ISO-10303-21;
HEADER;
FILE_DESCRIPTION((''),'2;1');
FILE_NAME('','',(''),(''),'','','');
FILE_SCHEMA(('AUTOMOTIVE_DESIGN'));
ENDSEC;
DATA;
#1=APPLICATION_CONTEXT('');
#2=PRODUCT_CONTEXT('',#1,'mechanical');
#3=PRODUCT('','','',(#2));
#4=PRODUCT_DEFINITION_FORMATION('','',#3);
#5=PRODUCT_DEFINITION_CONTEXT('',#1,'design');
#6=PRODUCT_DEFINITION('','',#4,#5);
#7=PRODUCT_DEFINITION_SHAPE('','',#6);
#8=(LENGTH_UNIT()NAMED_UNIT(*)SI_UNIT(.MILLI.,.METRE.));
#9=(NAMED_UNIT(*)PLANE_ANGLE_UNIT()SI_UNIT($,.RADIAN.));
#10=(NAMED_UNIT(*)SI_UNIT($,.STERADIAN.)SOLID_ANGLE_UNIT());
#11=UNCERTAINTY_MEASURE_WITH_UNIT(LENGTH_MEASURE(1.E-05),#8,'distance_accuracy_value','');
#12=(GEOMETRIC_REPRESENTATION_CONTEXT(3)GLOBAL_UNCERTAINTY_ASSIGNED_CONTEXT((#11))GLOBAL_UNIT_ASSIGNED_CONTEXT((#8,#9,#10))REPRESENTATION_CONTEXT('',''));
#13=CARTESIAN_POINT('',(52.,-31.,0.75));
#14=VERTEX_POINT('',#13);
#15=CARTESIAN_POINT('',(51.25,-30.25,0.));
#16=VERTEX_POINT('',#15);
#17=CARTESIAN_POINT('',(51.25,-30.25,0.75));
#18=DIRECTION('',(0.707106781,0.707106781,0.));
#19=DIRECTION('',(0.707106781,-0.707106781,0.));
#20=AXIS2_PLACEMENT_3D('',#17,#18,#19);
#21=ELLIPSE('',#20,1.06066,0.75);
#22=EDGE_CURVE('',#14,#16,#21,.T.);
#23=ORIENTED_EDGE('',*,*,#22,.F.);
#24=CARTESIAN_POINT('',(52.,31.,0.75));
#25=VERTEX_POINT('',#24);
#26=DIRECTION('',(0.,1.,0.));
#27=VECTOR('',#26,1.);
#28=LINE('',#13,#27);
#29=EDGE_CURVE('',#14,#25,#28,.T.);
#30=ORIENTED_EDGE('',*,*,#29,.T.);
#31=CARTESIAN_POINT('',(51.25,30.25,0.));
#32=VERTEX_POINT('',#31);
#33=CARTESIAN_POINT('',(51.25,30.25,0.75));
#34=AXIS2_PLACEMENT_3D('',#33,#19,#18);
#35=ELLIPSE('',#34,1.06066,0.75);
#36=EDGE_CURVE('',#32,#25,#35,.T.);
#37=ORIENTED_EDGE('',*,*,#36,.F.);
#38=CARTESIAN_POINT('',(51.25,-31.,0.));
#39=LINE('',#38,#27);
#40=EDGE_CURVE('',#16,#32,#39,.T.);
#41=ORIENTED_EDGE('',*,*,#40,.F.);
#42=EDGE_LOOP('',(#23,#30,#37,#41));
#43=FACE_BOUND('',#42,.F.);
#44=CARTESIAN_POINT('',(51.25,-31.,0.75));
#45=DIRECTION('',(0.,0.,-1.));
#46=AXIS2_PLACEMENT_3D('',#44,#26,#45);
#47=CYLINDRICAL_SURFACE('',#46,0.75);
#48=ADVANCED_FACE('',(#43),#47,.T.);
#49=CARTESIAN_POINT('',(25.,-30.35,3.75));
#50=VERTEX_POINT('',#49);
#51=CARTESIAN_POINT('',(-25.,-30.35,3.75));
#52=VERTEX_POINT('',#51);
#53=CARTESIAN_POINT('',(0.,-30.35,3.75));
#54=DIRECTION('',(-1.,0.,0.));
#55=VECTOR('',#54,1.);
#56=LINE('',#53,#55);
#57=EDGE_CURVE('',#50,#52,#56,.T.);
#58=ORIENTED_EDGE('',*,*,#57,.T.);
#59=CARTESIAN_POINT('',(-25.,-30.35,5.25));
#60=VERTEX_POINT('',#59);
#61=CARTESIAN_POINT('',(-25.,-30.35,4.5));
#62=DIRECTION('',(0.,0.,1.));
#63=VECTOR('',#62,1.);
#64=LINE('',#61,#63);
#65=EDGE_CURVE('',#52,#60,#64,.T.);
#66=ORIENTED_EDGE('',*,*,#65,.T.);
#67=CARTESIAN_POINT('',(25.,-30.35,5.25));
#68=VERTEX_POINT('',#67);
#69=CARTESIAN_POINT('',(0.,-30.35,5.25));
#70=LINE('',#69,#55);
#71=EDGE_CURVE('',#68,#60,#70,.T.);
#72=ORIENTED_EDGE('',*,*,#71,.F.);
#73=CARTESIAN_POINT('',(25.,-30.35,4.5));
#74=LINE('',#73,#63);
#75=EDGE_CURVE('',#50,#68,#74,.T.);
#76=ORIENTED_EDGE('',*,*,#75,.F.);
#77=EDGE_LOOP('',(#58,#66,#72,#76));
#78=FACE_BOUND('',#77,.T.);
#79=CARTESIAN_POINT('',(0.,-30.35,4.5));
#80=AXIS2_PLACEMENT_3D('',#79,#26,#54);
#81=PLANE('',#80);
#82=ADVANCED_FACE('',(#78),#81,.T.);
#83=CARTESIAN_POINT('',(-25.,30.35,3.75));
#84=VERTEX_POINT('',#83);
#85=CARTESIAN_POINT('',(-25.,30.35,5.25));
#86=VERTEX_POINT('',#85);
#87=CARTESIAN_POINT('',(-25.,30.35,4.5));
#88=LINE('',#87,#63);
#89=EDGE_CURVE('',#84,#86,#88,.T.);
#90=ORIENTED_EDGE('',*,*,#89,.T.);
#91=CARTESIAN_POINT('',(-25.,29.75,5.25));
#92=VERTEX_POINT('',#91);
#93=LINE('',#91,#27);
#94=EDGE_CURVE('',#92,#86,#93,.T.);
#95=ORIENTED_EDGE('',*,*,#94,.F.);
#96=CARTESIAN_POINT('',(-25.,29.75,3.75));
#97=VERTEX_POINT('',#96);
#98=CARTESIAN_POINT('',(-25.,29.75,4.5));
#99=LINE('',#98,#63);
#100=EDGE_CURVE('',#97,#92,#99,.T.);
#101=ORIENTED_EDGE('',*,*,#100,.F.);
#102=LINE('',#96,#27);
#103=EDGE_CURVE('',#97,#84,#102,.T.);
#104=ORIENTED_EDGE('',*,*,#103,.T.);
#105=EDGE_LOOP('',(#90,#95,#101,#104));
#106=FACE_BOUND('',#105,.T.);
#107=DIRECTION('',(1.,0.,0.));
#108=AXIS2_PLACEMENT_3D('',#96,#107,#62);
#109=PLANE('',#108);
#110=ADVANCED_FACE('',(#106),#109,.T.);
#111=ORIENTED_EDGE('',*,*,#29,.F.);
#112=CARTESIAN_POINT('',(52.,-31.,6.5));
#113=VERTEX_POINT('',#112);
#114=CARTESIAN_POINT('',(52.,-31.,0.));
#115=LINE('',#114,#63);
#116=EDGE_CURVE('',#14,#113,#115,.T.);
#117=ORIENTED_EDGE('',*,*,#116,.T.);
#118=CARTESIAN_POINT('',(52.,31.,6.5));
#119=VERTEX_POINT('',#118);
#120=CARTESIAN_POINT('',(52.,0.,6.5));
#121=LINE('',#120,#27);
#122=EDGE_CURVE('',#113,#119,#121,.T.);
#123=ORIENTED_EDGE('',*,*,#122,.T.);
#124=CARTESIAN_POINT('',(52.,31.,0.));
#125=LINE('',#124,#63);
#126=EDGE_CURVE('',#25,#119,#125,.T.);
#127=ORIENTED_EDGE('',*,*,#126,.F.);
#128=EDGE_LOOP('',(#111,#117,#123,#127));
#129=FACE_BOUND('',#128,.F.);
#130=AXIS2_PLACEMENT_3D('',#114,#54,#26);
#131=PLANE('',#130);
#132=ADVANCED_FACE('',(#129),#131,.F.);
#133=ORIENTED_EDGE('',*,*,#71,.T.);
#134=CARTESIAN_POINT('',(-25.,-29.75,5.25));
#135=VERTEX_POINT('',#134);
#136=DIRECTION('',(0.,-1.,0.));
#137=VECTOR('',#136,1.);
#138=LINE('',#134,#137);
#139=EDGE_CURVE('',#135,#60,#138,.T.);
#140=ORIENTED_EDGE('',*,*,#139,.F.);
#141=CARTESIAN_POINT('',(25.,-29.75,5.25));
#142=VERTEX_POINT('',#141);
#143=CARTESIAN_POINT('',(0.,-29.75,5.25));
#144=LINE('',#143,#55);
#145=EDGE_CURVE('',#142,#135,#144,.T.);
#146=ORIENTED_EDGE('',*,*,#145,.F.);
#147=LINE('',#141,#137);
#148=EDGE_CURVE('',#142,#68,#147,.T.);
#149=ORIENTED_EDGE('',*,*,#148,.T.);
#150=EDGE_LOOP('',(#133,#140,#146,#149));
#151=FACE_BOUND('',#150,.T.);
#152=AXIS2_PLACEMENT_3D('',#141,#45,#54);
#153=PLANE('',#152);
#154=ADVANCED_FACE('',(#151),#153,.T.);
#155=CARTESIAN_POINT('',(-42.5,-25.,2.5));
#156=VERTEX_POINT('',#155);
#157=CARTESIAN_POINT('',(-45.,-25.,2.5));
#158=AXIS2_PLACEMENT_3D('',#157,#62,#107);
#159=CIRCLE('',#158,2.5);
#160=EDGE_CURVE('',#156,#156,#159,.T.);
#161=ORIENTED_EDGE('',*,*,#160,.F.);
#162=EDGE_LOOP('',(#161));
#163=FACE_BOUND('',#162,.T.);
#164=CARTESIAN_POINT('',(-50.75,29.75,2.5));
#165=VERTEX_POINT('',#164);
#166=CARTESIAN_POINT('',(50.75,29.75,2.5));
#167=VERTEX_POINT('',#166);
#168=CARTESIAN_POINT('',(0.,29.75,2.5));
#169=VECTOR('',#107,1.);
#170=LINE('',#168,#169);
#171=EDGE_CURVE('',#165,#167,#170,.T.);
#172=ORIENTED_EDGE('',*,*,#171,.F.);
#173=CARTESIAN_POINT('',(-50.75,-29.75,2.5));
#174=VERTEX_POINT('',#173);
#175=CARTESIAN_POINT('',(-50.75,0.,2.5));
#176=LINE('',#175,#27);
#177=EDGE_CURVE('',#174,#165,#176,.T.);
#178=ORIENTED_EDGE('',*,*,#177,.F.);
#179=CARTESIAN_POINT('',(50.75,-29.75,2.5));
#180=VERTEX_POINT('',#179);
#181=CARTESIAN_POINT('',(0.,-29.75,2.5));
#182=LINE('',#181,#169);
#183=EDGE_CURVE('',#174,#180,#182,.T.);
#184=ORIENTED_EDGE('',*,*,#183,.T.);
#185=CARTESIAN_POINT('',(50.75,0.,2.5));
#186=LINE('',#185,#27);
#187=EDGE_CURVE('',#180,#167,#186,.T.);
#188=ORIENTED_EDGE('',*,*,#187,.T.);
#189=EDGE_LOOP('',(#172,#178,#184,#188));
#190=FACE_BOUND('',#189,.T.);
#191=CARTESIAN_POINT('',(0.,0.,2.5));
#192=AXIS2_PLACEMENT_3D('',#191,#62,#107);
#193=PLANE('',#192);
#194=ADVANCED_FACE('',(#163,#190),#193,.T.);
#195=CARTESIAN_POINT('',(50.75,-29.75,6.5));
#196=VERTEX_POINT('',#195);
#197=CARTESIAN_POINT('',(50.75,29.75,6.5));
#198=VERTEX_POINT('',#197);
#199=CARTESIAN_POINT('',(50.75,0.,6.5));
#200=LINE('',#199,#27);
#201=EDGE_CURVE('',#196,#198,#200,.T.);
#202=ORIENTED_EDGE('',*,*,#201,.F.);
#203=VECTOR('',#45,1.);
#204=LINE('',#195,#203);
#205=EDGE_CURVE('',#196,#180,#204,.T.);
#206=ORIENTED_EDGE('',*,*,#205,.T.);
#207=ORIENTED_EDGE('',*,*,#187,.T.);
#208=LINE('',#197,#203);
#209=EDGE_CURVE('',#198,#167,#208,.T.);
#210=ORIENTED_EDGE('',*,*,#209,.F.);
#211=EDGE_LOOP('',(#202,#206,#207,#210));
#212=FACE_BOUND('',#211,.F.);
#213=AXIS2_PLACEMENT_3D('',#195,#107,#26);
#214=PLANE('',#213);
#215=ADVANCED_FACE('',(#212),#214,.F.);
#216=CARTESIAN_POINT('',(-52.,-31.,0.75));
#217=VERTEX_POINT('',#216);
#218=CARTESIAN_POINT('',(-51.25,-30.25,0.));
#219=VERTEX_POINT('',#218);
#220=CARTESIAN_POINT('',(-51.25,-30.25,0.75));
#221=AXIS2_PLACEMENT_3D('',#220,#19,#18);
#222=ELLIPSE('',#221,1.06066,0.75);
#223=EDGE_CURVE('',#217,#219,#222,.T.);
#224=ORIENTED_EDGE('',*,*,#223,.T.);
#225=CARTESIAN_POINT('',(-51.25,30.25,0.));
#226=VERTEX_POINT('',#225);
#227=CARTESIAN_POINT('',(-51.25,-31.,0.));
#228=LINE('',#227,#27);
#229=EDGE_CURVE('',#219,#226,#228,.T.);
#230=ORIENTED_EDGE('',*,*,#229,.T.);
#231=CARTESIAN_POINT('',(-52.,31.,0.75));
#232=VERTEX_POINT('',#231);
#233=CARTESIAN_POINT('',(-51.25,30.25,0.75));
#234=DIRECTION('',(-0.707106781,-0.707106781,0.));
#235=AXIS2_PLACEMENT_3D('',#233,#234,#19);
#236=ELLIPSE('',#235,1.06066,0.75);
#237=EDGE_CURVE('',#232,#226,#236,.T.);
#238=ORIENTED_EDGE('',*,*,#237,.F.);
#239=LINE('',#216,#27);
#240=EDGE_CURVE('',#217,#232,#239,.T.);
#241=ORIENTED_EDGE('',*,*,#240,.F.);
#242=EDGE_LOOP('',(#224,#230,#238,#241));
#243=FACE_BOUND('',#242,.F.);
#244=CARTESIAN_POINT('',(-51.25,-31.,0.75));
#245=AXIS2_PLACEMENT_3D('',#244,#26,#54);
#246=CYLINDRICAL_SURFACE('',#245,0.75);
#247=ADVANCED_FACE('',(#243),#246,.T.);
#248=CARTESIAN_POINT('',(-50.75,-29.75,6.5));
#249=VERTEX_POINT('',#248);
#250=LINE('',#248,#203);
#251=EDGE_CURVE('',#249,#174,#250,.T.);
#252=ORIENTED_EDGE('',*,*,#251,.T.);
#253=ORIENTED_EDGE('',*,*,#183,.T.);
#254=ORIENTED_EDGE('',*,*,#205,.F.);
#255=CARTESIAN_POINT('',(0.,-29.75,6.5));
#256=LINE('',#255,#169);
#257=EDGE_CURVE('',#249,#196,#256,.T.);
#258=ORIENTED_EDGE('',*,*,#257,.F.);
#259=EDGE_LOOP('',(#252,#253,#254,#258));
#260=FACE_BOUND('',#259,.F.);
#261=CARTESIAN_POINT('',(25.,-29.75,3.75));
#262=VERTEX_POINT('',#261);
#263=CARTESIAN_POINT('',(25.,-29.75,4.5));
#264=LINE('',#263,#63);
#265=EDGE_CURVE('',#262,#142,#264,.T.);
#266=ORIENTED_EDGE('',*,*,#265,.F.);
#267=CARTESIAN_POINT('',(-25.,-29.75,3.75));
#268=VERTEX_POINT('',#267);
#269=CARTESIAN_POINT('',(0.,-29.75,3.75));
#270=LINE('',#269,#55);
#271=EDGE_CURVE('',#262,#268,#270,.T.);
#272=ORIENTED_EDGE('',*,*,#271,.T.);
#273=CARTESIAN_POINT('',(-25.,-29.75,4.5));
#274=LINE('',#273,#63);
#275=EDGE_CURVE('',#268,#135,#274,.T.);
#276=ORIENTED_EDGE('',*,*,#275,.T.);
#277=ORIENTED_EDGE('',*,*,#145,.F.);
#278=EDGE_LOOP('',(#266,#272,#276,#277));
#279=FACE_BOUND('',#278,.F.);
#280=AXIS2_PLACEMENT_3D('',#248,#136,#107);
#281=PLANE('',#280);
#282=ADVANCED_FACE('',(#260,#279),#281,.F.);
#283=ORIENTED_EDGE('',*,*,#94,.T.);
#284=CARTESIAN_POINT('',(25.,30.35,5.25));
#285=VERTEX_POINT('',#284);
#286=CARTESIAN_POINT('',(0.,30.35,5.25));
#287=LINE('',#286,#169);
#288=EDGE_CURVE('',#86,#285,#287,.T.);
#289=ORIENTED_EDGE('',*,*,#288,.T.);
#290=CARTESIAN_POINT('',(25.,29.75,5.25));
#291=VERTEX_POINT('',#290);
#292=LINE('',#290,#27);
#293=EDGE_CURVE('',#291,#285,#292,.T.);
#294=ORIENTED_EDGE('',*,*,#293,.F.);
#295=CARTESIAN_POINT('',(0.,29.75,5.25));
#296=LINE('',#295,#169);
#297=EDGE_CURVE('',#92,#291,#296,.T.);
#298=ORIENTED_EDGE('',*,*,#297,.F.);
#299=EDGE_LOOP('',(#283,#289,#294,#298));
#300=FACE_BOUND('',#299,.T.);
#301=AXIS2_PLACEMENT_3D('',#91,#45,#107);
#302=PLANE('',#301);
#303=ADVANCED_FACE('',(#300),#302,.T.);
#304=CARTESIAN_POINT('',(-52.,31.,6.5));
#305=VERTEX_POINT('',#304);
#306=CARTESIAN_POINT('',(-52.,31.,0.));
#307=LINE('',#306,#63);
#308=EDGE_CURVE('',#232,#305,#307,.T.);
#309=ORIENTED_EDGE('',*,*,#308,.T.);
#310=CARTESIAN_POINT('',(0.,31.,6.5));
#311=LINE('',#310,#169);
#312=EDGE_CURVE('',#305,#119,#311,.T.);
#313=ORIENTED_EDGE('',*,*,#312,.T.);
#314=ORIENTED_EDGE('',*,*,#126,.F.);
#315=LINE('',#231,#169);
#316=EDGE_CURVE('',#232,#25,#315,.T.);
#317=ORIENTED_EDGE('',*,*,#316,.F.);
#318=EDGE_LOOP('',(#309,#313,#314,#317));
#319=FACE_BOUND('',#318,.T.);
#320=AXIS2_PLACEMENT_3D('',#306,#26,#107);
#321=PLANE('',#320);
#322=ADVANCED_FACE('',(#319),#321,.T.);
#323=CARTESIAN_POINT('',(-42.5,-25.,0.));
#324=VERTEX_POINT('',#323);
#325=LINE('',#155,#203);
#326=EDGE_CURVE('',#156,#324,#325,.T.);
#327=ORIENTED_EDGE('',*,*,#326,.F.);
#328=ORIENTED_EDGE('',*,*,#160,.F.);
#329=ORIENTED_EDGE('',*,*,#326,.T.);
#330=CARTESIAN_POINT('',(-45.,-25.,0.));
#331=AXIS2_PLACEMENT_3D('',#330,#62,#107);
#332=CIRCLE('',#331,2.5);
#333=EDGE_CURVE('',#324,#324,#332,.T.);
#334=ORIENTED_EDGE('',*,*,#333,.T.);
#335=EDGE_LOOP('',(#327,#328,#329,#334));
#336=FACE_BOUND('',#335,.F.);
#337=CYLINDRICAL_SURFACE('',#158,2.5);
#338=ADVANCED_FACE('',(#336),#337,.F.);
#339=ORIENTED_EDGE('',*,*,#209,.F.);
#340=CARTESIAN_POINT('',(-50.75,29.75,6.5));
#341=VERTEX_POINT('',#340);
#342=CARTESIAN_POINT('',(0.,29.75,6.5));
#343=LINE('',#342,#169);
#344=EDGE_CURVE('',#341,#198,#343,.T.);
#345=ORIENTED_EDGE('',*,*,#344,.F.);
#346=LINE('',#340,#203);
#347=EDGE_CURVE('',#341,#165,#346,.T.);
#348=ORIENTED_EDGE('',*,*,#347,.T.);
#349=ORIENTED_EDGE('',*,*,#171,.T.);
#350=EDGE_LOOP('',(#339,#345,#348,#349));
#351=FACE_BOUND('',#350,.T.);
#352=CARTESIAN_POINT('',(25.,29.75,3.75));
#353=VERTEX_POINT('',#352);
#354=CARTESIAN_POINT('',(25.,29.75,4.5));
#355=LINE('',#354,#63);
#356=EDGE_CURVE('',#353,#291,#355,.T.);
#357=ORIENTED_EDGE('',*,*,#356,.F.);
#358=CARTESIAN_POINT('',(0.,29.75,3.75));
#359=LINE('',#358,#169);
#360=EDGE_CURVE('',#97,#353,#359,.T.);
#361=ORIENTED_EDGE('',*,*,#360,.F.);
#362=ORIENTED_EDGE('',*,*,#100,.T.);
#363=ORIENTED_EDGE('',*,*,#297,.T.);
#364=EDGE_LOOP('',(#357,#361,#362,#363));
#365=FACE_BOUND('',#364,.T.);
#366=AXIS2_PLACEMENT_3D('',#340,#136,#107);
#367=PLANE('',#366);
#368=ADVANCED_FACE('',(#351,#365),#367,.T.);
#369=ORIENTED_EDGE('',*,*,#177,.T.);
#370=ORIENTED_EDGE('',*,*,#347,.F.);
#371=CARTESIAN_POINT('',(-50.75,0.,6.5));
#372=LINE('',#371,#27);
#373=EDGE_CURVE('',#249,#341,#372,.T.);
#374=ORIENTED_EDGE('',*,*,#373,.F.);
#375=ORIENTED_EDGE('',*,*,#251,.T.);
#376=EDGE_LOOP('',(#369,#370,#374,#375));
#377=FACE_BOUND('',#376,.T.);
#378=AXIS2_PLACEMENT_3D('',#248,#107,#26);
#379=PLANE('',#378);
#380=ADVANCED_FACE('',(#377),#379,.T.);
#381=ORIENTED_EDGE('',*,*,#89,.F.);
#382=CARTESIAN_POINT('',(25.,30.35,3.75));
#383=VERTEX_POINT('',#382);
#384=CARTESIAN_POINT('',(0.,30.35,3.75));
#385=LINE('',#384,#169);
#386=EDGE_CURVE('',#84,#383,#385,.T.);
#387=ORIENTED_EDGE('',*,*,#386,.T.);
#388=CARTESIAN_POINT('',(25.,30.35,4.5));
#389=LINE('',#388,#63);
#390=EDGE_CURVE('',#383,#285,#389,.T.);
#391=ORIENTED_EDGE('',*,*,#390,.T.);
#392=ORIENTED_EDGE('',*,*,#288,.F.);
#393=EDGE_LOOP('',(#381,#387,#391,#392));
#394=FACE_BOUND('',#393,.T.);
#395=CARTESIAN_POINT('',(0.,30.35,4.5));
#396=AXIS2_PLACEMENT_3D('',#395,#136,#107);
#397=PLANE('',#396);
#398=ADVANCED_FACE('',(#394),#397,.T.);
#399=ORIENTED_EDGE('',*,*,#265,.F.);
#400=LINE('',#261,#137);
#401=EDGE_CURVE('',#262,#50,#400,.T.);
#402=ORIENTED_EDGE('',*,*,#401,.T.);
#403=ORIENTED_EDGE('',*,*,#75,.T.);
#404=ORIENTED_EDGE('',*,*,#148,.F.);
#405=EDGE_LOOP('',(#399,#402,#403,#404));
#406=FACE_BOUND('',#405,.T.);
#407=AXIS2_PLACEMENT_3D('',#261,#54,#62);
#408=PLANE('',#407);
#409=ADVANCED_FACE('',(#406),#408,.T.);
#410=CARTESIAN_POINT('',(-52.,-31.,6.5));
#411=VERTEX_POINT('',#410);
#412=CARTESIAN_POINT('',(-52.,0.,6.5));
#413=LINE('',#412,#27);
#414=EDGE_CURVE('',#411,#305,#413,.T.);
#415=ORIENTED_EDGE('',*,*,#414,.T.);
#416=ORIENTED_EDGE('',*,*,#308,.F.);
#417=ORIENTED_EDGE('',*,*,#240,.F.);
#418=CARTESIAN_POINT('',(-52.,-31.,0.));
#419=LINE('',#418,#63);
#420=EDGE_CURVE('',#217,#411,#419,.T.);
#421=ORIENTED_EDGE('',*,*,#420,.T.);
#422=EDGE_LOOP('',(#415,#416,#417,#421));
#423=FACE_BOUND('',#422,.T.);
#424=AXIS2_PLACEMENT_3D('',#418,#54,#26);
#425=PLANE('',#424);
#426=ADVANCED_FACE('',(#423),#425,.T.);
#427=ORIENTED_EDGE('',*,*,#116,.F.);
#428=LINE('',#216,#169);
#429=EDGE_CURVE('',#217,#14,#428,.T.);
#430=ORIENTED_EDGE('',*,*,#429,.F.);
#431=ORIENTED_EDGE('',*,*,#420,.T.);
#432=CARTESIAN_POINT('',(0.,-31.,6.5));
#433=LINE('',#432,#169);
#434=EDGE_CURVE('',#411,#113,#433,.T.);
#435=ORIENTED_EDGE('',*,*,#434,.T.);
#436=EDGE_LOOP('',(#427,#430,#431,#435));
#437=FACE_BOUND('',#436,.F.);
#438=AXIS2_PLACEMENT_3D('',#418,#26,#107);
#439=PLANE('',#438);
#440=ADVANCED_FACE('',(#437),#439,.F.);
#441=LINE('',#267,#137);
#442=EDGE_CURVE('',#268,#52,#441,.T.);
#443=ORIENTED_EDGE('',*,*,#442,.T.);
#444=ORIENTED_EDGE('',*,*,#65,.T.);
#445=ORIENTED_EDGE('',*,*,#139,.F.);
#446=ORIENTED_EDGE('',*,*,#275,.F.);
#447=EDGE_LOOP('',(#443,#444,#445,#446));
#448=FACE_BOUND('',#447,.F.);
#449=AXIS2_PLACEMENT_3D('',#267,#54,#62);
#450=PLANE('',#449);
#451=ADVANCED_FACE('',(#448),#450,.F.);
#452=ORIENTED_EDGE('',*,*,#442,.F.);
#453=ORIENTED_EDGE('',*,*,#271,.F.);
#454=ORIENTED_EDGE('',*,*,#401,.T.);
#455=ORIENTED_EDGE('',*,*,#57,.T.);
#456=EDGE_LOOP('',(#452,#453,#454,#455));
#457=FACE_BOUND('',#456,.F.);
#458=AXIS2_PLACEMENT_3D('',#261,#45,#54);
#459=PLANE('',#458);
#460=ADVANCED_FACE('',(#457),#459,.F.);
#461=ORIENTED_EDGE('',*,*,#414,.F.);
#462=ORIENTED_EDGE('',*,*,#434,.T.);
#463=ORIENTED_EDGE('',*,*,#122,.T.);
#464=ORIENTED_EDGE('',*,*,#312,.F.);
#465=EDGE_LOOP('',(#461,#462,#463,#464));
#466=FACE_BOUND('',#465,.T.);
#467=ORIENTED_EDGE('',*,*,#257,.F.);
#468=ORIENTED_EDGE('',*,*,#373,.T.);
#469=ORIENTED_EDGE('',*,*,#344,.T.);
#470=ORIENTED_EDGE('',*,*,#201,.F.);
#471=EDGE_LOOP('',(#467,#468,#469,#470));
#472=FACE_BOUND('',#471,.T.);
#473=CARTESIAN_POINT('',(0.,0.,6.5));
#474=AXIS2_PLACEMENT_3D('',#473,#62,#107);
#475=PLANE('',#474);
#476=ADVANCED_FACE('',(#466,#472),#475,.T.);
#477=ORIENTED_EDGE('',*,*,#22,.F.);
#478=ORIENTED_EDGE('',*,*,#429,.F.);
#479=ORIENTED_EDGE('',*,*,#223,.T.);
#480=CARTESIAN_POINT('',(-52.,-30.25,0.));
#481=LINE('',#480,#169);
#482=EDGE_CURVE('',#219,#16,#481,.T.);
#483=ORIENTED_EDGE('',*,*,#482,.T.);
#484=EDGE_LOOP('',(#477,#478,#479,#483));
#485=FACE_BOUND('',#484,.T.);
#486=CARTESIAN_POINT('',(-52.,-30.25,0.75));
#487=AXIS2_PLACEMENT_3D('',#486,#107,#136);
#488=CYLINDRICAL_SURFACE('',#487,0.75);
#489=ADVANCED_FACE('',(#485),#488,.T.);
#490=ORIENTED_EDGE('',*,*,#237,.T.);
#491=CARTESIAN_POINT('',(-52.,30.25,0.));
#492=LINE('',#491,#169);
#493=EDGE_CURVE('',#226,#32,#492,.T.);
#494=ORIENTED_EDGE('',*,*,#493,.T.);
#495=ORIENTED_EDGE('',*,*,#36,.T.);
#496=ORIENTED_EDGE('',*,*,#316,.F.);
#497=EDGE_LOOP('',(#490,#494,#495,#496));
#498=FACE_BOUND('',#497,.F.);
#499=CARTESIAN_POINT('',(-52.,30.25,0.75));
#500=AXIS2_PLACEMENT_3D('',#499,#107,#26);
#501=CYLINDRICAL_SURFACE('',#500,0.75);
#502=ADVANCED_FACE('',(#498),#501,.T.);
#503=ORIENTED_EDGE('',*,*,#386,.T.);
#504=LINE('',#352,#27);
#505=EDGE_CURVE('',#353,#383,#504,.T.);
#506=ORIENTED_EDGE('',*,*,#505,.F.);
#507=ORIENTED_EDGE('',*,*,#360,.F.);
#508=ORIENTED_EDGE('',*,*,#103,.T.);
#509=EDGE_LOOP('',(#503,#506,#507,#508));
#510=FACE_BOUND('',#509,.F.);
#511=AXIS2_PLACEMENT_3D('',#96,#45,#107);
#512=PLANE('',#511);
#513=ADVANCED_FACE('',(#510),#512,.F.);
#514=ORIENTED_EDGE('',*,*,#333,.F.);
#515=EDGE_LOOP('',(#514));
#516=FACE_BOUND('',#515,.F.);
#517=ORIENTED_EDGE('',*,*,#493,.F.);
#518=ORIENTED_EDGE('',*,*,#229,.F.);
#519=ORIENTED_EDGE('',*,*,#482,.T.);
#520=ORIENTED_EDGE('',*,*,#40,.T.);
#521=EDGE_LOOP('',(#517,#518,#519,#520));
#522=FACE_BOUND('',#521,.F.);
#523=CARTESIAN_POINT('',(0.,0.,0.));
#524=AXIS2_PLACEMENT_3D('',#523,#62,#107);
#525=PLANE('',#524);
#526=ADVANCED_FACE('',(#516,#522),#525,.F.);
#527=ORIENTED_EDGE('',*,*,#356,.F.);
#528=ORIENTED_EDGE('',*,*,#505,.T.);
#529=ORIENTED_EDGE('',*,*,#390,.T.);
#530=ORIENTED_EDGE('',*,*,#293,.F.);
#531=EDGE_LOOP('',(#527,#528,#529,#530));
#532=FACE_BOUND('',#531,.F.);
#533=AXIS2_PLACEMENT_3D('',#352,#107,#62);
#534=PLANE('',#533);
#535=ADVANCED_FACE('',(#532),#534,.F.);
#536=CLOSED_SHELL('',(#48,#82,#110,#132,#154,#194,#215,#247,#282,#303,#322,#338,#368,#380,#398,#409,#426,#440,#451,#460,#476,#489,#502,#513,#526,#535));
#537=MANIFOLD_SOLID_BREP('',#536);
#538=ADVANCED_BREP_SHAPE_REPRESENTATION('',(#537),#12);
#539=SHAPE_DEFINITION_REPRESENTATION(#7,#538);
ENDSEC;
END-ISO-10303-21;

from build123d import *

# Parameters (mm, degrees)
SKETCH_W        = 104
SKETCH_H        = 62
PAD_DEPTH       = 6.5
SKETCH001_W     = 101.5
SKETCH001_H     = 59.5
POCKET_DEPTH    = 4
SKETCH002_W     = 50
SKETCH002_H     = 1.5
POCKET001_DEPTH = 0.6
SKETCH003_W     = 50
SKETCH003_H     = 1.5
POCKET002_DEPTH = 0.6
FILLET_R        = 0.75
SKETCH004_R     = 2.5
POCKET003_DEPTH = 3


with BuildPart() as part:
    # Sketch → Pad (new body)
    with BuildSketch(Plane.XY):
        Rectangle(SKETCH_W, SKETCH_H)
    extrude(amount=PAD_DEPTH)

    # Sketch001 (on Face6 of Pad) → Pocket (cut)
    with BuildSketch(Plane.XY.offset(6.5)):
        Rectangle(SKETCH001_W, SKETCH001_H)
    extrude(amount=-POCKET_DEPTH, mode=Mode.SUBTRACT)

    # Sketch002 (on Face7 of Pocket) → Pocket001 (cut)
    with BuildSketch(Plane.XZ.offset(-29.75)):
        with Locations((0, 4.5)):
            Rectangle(SKETCH002_W, SKETCH002_H)
    extrude(amount=-POCKET001_DEPTH, mode=Mode.SUBTRACT)

    # Sketch003 (on Face9 of Pocket001) → Pocket002 (cut)
    with BuildSketch(Plane(origin=(0, -29.75, 0), x_dir=(-1, 0, 0), z_dir=(0, 1, 0))):
        with Locations((0, 4.5)):
            Rectangle(SKETCH003_W, SKETCH003_H)
    extrude(amount=-POCKET002_DEPTH, mode=Mode.SUBTRACT)

    # Fillet
    fillet_edges = [part.edges().sort_by_distance(p)[0] for p in [
        (0, -31, 0),
        (52, 0, 0),
        (0, 31, 0),
        (-52, 0, 0),
    ]]
    fillet(fillet_edges, radius=FILLET_R)

    # Sketch004 (on Face15 of Fillet) → Pocket003 (cut)
    with BuildSketch(Plane.XY.offset(2.5)):
        with Locations((-45, -25)):
            Circle(SKETCH004_R)
    extrude(amount=-POCKET003_DEPTH, mode=Mode.SUBTRACT)


solid = part.part
